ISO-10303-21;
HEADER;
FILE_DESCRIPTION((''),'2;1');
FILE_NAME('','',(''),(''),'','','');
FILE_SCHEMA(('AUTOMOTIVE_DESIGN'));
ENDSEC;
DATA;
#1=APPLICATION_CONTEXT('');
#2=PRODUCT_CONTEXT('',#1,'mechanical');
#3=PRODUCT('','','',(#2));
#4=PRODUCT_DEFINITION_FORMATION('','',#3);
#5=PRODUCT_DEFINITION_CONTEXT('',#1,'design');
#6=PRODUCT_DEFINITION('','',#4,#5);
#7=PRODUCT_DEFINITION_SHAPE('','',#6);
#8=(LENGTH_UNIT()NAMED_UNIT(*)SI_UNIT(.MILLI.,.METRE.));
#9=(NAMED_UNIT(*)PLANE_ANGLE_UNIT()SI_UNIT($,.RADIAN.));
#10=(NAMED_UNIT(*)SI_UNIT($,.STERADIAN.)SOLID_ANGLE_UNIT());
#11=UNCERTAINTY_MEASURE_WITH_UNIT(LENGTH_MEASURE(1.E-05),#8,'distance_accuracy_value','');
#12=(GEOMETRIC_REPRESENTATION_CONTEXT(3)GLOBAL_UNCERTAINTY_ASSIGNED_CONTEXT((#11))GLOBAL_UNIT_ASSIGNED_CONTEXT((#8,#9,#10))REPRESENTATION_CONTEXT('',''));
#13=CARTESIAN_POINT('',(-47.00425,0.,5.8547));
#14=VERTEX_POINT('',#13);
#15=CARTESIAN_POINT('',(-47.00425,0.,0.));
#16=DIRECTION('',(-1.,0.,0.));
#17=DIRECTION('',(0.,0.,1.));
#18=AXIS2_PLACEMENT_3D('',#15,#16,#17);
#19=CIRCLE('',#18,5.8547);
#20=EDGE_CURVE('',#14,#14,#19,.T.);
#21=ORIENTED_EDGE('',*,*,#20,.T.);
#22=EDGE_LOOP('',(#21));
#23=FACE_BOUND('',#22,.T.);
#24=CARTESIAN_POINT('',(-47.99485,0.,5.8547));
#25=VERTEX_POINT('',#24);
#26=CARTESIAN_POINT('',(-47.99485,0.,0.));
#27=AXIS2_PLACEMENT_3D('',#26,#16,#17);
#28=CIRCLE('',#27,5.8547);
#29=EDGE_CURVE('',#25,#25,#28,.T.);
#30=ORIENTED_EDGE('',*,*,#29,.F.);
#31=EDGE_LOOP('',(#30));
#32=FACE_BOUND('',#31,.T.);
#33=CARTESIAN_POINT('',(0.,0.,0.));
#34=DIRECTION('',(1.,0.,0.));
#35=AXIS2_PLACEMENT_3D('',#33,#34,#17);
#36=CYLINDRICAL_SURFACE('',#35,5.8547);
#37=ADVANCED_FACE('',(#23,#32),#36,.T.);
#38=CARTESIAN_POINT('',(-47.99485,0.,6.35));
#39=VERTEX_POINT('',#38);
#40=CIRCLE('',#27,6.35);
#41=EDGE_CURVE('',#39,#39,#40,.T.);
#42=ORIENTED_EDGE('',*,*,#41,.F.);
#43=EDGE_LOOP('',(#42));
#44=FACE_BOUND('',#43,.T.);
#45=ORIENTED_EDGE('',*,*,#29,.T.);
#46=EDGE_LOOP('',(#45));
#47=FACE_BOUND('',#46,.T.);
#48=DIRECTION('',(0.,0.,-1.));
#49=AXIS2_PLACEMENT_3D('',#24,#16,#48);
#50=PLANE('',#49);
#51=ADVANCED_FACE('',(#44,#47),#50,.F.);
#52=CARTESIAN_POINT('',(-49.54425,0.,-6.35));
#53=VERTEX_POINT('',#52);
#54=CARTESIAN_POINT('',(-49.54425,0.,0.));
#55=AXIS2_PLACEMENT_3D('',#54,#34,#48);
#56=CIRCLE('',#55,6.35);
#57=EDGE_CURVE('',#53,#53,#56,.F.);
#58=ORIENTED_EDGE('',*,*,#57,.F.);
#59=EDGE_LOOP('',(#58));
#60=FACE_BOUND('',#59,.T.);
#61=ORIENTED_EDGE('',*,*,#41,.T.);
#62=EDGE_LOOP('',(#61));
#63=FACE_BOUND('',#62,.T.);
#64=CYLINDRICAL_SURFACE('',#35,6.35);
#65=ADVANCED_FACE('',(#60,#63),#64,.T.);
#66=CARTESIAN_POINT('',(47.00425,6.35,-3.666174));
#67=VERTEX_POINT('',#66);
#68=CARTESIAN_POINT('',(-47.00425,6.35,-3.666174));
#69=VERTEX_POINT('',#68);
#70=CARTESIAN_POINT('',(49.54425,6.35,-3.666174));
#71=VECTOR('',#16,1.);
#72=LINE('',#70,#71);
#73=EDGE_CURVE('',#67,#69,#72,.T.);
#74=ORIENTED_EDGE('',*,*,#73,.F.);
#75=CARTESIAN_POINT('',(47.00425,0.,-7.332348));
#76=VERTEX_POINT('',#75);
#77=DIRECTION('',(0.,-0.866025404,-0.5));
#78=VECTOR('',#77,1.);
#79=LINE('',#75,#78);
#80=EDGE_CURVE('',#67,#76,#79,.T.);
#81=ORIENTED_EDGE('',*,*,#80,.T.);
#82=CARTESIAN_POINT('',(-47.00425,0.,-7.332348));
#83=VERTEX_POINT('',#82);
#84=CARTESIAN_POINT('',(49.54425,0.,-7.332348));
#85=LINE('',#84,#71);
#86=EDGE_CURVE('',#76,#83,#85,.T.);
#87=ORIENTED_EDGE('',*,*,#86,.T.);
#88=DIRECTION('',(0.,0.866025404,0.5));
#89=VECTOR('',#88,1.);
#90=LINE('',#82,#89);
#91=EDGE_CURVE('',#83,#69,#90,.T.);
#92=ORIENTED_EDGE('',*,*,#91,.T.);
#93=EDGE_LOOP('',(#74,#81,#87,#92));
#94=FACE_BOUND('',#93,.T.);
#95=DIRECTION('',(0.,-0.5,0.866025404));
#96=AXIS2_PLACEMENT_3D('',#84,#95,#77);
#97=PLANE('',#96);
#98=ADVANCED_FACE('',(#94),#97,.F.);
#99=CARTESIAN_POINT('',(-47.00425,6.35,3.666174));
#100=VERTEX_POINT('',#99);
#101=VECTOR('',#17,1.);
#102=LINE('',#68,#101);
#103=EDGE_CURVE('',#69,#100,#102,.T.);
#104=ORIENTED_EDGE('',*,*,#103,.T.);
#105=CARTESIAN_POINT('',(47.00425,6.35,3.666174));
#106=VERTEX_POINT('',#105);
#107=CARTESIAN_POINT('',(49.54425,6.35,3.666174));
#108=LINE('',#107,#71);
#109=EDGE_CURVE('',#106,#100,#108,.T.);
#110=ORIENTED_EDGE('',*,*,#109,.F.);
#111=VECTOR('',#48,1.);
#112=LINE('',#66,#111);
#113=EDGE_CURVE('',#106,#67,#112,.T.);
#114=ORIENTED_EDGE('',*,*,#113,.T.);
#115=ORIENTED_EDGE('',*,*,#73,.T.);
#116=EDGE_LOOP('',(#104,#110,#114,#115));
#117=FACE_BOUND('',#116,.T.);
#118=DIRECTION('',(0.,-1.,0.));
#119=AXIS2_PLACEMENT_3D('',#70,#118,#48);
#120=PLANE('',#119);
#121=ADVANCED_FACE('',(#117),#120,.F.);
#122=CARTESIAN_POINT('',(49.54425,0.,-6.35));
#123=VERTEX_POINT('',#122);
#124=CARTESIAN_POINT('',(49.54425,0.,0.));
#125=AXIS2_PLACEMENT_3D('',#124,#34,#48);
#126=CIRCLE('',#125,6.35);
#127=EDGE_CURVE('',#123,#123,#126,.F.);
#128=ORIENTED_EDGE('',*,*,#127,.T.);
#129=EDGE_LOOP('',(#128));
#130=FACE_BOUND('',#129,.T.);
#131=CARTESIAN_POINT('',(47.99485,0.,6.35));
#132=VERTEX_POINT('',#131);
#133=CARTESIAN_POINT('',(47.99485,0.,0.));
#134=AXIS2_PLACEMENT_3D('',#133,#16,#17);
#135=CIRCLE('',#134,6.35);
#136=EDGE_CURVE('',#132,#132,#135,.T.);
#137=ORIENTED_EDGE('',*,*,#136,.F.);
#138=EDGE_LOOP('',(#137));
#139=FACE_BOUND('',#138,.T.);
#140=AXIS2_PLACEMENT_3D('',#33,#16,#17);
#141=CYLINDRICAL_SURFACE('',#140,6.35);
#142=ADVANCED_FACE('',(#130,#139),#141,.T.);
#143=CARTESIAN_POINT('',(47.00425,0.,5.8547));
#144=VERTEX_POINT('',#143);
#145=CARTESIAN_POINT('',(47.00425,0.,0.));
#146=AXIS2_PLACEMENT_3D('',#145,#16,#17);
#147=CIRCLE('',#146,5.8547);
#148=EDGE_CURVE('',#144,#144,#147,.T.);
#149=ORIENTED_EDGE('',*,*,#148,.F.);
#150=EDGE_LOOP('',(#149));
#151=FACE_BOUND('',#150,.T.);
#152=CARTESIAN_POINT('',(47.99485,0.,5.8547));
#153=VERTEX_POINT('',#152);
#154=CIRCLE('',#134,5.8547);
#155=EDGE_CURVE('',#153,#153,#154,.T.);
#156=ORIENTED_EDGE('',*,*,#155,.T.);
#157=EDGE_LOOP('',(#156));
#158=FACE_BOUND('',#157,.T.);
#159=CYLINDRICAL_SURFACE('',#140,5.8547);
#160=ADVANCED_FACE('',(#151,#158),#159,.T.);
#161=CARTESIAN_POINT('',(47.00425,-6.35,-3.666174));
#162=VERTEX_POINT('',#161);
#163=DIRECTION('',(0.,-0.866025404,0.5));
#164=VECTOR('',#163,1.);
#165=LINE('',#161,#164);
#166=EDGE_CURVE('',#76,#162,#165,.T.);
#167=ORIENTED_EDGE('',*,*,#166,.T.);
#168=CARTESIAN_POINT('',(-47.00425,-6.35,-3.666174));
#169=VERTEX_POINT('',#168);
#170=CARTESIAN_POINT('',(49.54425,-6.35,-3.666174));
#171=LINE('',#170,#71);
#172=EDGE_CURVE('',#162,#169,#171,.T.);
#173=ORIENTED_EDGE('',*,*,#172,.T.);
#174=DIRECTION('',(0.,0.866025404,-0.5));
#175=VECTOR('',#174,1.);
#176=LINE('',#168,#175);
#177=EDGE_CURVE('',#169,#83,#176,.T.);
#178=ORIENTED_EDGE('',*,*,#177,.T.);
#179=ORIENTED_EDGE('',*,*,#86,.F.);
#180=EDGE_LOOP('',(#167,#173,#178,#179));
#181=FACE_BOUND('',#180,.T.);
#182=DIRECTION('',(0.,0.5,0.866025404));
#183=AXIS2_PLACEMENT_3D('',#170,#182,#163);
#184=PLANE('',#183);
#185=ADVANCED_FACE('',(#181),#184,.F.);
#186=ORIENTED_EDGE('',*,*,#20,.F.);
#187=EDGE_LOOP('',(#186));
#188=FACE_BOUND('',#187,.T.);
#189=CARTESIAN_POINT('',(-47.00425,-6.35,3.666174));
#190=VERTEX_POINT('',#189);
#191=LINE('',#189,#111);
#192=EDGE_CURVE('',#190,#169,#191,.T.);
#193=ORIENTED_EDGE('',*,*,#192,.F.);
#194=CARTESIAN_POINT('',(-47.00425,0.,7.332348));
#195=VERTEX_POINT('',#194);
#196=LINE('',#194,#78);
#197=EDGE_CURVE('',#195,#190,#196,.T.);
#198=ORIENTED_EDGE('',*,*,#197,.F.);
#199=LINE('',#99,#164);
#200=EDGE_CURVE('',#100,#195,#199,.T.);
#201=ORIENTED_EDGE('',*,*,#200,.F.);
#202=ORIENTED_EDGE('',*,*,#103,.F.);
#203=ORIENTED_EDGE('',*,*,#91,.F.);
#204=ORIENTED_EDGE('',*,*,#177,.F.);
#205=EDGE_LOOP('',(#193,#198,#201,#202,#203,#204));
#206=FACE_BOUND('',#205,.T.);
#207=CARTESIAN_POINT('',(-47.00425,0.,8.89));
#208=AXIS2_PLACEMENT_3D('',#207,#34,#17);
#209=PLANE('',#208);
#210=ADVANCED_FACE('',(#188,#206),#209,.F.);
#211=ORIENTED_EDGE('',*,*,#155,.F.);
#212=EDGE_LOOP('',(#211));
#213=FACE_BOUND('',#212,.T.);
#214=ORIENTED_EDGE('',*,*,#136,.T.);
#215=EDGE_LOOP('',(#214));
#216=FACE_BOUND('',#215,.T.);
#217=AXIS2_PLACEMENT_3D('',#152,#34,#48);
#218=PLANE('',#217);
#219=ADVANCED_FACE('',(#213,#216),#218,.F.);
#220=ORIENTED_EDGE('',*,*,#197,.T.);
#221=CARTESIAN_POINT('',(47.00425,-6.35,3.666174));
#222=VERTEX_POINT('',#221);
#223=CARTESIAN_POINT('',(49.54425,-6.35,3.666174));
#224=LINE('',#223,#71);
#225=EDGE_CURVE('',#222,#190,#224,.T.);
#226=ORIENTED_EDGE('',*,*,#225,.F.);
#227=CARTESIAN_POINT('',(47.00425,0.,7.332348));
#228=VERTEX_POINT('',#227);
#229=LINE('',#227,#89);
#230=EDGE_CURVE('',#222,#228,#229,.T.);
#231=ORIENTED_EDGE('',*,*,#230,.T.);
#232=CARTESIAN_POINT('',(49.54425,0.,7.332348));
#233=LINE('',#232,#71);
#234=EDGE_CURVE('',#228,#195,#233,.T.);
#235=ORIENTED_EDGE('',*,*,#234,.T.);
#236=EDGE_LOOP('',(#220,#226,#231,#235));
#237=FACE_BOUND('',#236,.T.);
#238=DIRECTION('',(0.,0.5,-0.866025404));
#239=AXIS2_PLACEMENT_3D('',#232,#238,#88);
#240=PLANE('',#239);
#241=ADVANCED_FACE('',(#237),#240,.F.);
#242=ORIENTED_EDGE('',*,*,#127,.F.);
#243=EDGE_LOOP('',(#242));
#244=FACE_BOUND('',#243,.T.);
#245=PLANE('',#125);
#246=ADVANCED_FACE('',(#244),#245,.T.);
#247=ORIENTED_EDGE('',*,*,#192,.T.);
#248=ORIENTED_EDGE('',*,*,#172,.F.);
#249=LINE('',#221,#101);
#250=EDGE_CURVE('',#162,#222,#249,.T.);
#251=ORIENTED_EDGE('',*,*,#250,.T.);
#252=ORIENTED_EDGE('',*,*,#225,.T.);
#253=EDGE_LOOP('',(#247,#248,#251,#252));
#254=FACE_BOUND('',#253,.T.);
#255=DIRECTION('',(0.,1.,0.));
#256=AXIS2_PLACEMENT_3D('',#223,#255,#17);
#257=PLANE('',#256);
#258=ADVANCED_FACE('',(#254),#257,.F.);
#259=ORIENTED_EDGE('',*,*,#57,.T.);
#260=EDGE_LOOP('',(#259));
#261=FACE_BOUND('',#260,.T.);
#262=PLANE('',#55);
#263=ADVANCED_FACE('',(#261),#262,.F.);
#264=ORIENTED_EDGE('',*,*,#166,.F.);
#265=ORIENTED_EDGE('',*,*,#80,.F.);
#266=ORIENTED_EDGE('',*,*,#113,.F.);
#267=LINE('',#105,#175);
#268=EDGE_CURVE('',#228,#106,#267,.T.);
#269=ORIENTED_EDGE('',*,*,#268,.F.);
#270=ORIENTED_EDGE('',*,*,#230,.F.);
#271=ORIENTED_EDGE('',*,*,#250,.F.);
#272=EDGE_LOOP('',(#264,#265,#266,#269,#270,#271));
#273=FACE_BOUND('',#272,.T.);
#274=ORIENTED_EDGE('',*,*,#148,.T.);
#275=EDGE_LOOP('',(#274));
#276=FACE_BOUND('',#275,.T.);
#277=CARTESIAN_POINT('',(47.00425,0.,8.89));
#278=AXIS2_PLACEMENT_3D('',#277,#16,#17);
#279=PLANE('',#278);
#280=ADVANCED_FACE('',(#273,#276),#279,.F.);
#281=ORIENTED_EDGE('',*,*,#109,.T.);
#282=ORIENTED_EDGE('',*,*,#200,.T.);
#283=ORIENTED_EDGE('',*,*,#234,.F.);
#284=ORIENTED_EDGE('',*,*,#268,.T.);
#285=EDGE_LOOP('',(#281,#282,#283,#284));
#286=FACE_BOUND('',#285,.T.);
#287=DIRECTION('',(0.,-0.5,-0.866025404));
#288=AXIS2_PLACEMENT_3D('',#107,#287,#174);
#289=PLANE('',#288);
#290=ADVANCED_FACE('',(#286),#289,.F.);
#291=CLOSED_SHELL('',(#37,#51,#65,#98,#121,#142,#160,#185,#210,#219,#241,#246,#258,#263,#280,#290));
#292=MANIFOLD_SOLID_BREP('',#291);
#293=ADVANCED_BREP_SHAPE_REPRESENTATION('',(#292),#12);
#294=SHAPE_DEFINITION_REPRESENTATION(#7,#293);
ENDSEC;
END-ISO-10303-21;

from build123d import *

# Parameters (mm, degrees)
BOSS_EXTRUDE1_DEPTH = 49.544250035


with BuildPart() as part:
    # Sketch1 → Boss-Extrude1 (new, symmetric)
    with BuildSketch(Plane(origin=(0, 0, 0), x_dir=(0, 0, -1), z_dir=(1, 0, 0))):
        Polygon((7.332348419, 0), (3.666174209, 6.35), (-3.666174209, 6.35), (-7.332348419, 0), (-3.666174209, -6.35), (3.666174209, -6.35), align=None)
    extrude(amount=BOSS_EXTRUDE1_DEPTH, both=True)

    # Sketch2 → Cut-Revolve1 (revolve, cut)
    with BuildSketch(Plane(origin=(0, 0, 0), x_dir=(1, 0, 0), z_dir=(0, 1, 0))):
        Polygon((47.004250035, -5.8547), (47.994850035, -5.8547), (47.994850035, -6.35), (49.544250035, -6.35), (49.544250035, -8.89), (47.004250035, -8.89), align=None)
    cut_revolve1 = revolve(axis=Axis((0, 0, 0), (1, 0, 0)), mode=Mode.SUBTRACT)

    # Mirror1: Cut-Revolve1 across plane
    add(cut_revolve1.mirror(Plane(origin=(0, 0, 0), x_dir=(0, 0, 1), z_dir=(1, 0, 0))), mode=Mode.SUBTRACT)


solid = part.part
